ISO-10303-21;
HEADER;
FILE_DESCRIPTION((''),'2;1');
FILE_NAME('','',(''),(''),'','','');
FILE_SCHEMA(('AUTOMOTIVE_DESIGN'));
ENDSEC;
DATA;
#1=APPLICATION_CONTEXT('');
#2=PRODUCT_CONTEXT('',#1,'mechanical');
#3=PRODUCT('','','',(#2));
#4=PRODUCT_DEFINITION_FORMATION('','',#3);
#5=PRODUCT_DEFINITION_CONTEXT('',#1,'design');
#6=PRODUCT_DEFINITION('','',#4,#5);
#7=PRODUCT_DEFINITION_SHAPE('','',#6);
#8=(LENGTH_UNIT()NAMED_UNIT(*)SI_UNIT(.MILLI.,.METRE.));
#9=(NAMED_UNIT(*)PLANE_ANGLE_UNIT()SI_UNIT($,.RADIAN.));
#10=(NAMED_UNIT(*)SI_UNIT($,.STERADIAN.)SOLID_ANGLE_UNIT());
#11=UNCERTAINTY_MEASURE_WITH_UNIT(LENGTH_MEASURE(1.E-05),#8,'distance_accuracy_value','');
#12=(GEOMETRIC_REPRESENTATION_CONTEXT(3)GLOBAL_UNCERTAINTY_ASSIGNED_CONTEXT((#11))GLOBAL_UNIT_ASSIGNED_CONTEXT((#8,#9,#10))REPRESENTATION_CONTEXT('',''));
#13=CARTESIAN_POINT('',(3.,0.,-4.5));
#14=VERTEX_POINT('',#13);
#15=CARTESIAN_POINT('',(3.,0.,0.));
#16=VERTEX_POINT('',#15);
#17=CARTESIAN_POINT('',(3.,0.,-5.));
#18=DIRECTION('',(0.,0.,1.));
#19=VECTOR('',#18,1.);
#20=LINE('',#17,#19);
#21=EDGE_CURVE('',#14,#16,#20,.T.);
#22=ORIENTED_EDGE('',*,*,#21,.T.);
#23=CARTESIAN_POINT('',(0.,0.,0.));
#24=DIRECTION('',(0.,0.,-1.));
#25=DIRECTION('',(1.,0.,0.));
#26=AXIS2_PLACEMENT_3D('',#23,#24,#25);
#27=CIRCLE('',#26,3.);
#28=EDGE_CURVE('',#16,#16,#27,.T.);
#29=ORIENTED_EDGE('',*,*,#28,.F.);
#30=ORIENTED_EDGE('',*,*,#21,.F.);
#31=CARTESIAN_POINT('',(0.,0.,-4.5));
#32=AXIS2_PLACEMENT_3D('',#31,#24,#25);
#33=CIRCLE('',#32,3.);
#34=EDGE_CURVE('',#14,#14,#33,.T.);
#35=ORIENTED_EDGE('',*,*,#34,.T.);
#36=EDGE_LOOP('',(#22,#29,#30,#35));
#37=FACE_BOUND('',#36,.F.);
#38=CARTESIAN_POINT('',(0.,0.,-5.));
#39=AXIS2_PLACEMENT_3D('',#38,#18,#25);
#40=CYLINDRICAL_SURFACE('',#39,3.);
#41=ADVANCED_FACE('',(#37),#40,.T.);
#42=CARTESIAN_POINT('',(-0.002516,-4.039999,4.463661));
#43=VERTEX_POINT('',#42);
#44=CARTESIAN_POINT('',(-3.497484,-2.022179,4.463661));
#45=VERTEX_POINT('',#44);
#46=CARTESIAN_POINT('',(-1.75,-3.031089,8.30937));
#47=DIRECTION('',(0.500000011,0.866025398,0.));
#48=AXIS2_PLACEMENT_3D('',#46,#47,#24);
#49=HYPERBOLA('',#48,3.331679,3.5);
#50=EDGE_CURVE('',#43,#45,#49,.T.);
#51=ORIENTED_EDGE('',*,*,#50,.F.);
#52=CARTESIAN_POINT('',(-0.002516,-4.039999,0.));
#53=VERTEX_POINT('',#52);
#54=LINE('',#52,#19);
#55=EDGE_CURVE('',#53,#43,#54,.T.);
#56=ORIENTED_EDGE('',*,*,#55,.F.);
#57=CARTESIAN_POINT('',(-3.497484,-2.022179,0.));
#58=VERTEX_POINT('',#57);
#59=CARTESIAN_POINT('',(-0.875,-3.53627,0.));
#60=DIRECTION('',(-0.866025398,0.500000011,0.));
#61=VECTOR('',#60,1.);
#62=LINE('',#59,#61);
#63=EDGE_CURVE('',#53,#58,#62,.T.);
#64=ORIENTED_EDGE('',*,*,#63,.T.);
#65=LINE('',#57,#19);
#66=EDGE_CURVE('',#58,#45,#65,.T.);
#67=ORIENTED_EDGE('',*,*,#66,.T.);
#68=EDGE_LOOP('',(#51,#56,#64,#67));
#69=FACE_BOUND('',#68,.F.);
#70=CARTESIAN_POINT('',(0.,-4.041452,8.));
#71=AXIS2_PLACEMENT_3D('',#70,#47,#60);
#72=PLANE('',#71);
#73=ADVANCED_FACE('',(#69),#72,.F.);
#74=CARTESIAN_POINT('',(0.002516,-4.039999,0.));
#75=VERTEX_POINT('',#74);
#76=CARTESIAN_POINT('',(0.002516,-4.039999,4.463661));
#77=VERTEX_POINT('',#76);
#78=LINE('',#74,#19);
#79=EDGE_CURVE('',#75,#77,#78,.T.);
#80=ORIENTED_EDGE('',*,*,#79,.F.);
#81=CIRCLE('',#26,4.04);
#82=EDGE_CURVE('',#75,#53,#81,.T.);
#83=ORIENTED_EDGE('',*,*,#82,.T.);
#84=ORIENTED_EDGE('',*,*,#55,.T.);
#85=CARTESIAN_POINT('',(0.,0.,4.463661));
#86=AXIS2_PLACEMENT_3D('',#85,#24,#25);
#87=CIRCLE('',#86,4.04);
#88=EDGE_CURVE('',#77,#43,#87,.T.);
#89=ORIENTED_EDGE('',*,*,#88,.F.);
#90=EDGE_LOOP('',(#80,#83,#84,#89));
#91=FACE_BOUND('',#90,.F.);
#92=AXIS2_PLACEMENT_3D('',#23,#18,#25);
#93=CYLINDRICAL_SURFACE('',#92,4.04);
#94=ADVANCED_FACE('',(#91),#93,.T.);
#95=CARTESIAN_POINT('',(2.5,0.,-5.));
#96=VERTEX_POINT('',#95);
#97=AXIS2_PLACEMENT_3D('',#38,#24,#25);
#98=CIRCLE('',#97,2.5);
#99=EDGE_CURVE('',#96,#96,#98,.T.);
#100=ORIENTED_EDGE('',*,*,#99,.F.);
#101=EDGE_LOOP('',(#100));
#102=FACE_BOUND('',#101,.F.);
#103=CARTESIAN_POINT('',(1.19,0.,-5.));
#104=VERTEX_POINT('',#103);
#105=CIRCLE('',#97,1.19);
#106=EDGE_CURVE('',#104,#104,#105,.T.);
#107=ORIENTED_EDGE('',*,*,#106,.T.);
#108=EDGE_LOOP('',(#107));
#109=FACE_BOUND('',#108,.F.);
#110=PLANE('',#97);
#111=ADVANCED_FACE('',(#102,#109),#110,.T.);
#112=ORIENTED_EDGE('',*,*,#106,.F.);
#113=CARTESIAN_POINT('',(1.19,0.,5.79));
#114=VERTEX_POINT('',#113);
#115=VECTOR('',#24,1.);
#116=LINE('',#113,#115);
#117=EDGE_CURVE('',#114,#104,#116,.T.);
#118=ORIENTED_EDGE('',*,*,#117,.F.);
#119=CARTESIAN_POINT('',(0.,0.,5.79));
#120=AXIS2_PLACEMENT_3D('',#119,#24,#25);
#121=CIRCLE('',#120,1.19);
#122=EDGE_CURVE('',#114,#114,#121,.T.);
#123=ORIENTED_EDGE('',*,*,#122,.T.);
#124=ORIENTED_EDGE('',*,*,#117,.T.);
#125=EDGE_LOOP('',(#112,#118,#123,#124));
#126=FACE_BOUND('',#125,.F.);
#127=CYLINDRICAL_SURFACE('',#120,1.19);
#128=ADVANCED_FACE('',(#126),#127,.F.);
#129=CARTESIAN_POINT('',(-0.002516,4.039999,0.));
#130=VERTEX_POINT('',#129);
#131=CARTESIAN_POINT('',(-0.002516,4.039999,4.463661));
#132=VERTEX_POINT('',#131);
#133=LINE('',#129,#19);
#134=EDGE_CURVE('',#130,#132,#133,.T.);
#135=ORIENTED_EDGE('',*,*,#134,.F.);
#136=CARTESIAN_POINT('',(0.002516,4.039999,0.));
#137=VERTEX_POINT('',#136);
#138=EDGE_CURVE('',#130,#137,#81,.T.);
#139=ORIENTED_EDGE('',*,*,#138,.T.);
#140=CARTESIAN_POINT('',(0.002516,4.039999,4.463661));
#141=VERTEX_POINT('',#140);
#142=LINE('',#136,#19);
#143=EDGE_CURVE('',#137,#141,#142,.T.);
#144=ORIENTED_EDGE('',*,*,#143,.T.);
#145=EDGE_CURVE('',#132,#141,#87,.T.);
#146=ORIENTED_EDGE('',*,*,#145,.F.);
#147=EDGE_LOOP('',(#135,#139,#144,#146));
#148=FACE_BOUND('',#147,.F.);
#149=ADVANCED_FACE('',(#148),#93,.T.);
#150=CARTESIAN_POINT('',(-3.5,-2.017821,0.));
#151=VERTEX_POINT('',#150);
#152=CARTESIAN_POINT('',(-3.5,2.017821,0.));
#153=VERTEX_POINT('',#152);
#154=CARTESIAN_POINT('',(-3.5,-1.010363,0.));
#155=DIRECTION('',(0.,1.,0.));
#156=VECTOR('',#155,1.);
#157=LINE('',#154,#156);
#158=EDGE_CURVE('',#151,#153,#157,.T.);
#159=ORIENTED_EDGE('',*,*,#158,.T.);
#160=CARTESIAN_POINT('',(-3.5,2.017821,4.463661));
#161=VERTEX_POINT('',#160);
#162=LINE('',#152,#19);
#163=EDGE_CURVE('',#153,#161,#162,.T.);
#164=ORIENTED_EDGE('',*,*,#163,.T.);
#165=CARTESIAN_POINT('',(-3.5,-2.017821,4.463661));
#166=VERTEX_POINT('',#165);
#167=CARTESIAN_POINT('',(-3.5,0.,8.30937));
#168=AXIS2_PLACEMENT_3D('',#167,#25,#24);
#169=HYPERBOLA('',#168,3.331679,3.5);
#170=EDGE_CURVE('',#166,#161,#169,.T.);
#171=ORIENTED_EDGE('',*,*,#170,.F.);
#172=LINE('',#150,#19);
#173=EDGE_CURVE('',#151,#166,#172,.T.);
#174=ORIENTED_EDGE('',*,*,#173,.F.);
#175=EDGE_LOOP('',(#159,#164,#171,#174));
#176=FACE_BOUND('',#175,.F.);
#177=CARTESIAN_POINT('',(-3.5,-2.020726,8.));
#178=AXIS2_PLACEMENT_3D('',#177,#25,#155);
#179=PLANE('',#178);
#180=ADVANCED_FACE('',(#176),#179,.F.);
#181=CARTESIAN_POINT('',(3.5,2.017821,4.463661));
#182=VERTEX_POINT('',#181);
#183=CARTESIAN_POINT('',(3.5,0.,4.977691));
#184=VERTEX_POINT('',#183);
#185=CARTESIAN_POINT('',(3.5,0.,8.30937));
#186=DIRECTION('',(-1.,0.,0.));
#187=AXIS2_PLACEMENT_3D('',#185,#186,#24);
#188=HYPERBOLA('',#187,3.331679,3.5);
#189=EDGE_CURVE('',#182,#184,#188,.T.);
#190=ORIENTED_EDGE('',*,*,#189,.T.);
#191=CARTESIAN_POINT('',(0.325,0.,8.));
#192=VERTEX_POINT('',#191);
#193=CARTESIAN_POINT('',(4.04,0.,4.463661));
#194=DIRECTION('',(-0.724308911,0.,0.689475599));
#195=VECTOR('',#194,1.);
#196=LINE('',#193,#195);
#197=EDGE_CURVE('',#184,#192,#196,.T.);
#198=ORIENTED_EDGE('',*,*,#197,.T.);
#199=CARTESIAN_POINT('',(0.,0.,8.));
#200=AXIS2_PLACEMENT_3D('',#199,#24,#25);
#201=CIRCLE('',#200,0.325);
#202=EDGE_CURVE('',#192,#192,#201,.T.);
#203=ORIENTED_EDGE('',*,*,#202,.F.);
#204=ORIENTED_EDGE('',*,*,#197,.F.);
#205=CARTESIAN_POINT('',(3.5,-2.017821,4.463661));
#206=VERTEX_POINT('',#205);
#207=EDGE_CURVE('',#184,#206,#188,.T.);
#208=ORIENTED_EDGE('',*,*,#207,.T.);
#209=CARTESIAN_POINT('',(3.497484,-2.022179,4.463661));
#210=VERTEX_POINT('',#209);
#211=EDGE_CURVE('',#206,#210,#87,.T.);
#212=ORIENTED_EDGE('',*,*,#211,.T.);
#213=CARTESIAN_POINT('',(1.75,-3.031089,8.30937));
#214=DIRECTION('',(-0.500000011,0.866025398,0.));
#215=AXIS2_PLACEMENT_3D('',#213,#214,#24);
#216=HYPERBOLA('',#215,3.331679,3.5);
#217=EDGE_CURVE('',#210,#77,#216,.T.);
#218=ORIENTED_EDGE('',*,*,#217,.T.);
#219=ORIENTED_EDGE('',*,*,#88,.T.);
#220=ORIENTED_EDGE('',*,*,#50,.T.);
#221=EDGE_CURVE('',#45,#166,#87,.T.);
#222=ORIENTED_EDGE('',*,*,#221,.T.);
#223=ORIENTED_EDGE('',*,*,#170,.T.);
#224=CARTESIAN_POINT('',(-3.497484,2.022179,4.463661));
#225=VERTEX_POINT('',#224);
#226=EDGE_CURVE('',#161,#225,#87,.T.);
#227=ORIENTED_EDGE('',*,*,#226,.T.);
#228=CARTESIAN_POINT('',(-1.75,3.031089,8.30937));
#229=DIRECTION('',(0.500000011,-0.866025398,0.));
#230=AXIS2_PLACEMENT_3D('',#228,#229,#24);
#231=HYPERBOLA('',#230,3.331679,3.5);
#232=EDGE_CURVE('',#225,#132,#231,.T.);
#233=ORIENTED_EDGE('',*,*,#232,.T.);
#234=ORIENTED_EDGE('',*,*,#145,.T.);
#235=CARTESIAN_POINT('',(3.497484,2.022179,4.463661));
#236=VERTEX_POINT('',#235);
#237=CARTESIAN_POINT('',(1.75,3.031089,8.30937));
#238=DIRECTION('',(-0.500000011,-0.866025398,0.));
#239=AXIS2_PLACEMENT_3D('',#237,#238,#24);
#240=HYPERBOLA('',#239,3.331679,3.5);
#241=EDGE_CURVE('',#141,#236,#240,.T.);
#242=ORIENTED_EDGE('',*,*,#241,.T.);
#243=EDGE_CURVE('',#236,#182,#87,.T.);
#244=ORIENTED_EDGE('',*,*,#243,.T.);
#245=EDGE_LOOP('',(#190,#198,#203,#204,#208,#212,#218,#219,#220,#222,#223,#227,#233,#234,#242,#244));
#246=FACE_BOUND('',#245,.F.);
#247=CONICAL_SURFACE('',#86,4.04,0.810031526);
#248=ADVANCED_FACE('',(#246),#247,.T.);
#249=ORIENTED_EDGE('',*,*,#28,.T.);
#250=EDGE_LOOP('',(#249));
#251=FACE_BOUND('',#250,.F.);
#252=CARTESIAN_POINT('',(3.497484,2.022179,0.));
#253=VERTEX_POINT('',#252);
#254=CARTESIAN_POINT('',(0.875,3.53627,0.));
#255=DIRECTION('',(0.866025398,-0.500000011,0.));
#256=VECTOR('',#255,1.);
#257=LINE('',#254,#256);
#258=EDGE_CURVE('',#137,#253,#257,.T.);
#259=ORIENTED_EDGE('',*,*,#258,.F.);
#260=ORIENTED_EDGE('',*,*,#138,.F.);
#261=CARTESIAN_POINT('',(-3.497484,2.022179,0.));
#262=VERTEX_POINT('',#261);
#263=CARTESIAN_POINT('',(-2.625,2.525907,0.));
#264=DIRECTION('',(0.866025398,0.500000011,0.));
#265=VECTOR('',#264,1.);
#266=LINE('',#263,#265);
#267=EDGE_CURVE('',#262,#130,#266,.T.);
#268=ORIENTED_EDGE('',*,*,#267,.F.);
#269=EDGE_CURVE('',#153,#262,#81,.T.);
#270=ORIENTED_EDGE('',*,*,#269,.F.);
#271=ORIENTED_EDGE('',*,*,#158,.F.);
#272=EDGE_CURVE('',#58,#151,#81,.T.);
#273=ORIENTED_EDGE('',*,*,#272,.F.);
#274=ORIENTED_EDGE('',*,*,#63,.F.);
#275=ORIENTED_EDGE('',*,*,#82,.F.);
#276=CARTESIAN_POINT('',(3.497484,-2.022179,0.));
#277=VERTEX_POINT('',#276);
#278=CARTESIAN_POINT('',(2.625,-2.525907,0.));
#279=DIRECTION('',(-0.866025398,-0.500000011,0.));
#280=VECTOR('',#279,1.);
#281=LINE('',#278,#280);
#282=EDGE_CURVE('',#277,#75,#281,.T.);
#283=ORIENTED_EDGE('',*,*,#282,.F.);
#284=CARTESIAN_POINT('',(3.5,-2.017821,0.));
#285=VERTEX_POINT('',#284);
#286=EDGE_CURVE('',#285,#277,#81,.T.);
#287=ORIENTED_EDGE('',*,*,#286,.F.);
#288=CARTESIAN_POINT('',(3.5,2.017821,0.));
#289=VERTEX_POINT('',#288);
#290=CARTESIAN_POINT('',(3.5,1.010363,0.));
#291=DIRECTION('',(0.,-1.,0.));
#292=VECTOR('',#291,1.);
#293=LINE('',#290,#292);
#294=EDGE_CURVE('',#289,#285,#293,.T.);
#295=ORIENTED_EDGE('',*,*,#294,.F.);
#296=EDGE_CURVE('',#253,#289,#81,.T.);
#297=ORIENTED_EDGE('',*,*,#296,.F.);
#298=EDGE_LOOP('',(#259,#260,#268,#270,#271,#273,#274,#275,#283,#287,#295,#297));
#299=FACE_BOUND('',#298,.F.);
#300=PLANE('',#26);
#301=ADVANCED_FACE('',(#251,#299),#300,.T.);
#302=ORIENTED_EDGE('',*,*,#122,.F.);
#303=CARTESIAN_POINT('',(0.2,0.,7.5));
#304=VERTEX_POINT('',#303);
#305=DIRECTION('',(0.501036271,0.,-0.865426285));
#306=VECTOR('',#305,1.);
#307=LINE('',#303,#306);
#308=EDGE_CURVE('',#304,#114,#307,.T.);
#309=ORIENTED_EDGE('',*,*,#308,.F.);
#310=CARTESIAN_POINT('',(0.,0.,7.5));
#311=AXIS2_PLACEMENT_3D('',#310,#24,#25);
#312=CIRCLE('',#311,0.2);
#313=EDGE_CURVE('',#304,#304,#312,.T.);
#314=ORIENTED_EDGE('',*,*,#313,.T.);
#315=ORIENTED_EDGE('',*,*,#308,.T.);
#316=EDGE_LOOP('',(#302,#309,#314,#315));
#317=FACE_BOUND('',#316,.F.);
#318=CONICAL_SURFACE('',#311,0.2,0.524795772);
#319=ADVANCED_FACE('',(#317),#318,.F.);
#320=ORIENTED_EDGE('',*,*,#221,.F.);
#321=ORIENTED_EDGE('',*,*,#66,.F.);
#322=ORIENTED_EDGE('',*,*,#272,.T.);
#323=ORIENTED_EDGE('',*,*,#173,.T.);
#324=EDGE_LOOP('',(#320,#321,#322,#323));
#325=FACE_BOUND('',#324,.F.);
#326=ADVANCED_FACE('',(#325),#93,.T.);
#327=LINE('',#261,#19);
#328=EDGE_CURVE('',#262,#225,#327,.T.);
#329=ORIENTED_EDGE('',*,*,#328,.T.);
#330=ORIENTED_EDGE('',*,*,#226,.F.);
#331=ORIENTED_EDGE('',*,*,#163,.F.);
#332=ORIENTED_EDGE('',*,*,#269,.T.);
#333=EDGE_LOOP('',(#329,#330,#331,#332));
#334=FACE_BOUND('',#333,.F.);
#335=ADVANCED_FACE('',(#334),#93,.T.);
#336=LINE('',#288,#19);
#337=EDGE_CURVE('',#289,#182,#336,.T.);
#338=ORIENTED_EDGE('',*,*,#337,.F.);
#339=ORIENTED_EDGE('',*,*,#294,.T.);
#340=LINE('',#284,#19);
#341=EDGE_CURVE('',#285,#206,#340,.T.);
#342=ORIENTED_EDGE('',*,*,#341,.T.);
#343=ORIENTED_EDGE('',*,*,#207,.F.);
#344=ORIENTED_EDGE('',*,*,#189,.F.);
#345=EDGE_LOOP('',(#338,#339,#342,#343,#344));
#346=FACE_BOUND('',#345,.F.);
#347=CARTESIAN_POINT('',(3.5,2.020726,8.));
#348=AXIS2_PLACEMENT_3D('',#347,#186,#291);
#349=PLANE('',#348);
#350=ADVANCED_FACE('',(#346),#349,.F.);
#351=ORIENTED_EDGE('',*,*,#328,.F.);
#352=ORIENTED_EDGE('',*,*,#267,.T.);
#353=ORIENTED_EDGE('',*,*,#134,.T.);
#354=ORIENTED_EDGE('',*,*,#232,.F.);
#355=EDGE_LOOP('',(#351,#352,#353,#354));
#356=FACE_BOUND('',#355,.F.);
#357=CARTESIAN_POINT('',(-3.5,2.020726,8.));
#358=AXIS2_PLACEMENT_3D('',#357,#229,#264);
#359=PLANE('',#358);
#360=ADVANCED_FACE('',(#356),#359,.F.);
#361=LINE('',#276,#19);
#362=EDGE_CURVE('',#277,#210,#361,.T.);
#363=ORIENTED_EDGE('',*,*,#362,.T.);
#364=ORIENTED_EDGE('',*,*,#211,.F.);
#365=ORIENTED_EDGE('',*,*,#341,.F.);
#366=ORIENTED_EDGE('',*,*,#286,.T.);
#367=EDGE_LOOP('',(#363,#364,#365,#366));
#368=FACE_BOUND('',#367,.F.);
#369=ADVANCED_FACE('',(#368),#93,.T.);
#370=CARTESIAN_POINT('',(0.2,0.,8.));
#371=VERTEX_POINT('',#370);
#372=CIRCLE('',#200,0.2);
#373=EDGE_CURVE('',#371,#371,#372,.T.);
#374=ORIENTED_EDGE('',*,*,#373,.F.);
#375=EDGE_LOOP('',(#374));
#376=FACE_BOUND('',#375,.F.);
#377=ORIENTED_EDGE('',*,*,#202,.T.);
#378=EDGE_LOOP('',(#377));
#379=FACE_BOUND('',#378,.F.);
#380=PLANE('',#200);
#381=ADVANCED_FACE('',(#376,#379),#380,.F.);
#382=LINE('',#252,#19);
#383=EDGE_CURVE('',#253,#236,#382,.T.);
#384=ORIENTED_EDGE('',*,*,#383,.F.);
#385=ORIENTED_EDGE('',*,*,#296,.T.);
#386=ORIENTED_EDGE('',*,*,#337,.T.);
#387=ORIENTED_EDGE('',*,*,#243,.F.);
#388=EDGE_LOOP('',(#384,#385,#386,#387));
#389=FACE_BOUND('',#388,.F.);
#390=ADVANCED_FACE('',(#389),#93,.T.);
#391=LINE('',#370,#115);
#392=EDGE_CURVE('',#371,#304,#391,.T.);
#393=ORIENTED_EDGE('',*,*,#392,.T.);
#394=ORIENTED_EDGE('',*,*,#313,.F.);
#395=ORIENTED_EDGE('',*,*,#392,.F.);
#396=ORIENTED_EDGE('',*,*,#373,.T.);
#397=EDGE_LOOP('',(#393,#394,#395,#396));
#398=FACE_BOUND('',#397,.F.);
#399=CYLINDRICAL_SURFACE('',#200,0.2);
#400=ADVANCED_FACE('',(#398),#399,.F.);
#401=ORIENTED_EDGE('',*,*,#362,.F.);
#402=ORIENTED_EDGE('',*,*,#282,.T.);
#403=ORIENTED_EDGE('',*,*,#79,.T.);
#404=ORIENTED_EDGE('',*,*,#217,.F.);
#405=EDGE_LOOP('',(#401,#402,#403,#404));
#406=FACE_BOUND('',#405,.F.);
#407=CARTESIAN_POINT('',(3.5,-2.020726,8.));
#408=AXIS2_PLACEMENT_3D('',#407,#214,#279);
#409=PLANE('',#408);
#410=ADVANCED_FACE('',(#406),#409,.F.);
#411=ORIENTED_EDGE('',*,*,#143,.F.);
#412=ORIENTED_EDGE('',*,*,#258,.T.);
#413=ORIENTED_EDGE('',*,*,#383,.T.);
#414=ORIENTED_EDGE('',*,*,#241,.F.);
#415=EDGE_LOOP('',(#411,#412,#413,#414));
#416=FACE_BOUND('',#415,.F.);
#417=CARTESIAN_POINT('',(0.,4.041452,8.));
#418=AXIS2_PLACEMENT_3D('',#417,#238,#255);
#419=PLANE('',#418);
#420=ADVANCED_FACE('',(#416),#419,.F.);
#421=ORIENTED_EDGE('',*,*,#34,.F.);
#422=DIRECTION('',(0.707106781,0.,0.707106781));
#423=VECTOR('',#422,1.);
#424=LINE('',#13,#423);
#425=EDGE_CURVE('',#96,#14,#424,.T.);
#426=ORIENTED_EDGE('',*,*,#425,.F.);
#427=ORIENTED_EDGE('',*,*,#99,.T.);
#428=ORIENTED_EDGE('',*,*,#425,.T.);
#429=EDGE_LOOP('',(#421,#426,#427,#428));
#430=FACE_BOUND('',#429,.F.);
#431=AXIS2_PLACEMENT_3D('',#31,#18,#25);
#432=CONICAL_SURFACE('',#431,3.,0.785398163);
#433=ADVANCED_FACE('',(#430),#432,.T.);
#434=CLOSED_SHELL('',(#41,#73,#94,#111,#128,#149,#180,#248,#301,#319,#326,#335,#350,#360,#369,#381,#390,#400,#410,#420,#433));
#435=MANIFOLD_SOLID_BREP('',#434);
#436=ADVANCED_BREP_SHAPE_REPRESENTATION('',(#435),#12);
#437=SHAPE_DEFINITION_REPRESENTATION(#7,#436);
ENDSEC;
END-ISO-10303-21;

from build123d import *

# Parameters (mm, degrees)
F2_SIZE  = 0.5
F4_DEPTH = 13.001


with BuildPart() as f1:
    # F0 (on Front) → F1 (revolve)
    with BuildSketch(Plane.XZ):
        Polygon((1.19, 5.79), (1.19, -5), (3, -5), (3, 0), (4.04, 0), (4.04, 4.463661), (0.325, 8), (0.2, 8), (0.2, 7.5), align=None)
    revolve(axis=Axis((0, 0, 0.76721), (0, 0, -1)))

    # F2
    f2_edges = [f1.edges().sort_by_distance(p)[0] for p in [
        (-3, 0, -5),
    ]]
    chamfer(f2_edges, length=F2_SIZE)

    # F3 (on face) → F4 (cut, through all)
    with BuildSketch(Plane.XY.offset(8)):
        Polygon((5.229439, 4.649782), (3.5, 4.649782), (3.5, 4.01771), (5.229439, 3.019218), align=None)
        Polygon((3.5, 2.020726), (3.5, 4.01771), (1.729439, 5.039944), (0, 4.041452), align=None)
        Polygon((6.746156, 2.143541), (5.229439, 3.019218), (5.229439, 1.022234), (5.881436, 0.645803), align=None)
        Polygon((5.229439, 1.022234), (3.5, 2.020726), (3.5, -2.020726), (5.229439, -1.022234), align=None)
        Polygon((0, 6.038436), (1.729439, 5.039944), (2.381436, 5.416375), (1.516717, 6.914113), align=None)
        Polygon((3.5, -4.01771), (3.5, -2.020726), (0, -4.041452), (1.729439, -5.039944), align=None)
        Polygon((-3.5, 2.020726), (0, 4.041452), (-1.729439, 5.039944), (-3.5, 4.01771), align=None)
        Polygon((-1.729439, 5.039944), (0, 6.038436), (-1.41211, 6.853717), (-2.276829, 5.35598), align=None)
        Polygon((5.776829, -0.706198), (5.229439, -1.022234), (5.229439, -3.019218), (6.641548, -2.203936), align=None)
        Polygon((5.229439, -3.019218), (3.5, -4.01771), (3.5, -4.770572), (5.229439, -4.770572), align=None)
        Polygon((-1.729439, -5.039944), (0, -4.041452), (-3.5, -2.020726), (-3.5, -4.01771), align=None)
        Polygon((-3.5, -2.020726), (-3.5, 2.020726), (-5.229439, 1.022234), (-5.229439, -1.022234), align=None)
        Polygon((2.276829, -5.35598), (1.729439, -5.039944), (0, -6.038436), (1.41211, -6.853717), align=None)
        Polygon((0, -6.038436), (-1.729439, -5.039944), (-2.381436, -5.416375), (-1.516717, -6.914113), align=None)
        Polygon((-5.229439, 3.019218), (-3.5, 4.01771), (-3.5, 4.770572), (-5.229439, 4.770572), align=None)
        Polygon((-5.776829, 0.706198), (-5.229439, 1.022234), (-5.229439, 3.019218), (-6.641548, 2.203936), align=None)
        Polygon((-3.5, -4.649782), (-3.5, -4.01771), (-5.229439, -3.019218), (-5.229439, -4.649782), align=None)
        Polygon((-5.229439, -3.019218), (-5.229439, -1.022234), (-5.881436, -0.645803), (-6.746156, -2.143541), align=None)
    extrude(amount=-F4_DEPTH, mode=Mode.SUBTRACT)


solid = f1.part
